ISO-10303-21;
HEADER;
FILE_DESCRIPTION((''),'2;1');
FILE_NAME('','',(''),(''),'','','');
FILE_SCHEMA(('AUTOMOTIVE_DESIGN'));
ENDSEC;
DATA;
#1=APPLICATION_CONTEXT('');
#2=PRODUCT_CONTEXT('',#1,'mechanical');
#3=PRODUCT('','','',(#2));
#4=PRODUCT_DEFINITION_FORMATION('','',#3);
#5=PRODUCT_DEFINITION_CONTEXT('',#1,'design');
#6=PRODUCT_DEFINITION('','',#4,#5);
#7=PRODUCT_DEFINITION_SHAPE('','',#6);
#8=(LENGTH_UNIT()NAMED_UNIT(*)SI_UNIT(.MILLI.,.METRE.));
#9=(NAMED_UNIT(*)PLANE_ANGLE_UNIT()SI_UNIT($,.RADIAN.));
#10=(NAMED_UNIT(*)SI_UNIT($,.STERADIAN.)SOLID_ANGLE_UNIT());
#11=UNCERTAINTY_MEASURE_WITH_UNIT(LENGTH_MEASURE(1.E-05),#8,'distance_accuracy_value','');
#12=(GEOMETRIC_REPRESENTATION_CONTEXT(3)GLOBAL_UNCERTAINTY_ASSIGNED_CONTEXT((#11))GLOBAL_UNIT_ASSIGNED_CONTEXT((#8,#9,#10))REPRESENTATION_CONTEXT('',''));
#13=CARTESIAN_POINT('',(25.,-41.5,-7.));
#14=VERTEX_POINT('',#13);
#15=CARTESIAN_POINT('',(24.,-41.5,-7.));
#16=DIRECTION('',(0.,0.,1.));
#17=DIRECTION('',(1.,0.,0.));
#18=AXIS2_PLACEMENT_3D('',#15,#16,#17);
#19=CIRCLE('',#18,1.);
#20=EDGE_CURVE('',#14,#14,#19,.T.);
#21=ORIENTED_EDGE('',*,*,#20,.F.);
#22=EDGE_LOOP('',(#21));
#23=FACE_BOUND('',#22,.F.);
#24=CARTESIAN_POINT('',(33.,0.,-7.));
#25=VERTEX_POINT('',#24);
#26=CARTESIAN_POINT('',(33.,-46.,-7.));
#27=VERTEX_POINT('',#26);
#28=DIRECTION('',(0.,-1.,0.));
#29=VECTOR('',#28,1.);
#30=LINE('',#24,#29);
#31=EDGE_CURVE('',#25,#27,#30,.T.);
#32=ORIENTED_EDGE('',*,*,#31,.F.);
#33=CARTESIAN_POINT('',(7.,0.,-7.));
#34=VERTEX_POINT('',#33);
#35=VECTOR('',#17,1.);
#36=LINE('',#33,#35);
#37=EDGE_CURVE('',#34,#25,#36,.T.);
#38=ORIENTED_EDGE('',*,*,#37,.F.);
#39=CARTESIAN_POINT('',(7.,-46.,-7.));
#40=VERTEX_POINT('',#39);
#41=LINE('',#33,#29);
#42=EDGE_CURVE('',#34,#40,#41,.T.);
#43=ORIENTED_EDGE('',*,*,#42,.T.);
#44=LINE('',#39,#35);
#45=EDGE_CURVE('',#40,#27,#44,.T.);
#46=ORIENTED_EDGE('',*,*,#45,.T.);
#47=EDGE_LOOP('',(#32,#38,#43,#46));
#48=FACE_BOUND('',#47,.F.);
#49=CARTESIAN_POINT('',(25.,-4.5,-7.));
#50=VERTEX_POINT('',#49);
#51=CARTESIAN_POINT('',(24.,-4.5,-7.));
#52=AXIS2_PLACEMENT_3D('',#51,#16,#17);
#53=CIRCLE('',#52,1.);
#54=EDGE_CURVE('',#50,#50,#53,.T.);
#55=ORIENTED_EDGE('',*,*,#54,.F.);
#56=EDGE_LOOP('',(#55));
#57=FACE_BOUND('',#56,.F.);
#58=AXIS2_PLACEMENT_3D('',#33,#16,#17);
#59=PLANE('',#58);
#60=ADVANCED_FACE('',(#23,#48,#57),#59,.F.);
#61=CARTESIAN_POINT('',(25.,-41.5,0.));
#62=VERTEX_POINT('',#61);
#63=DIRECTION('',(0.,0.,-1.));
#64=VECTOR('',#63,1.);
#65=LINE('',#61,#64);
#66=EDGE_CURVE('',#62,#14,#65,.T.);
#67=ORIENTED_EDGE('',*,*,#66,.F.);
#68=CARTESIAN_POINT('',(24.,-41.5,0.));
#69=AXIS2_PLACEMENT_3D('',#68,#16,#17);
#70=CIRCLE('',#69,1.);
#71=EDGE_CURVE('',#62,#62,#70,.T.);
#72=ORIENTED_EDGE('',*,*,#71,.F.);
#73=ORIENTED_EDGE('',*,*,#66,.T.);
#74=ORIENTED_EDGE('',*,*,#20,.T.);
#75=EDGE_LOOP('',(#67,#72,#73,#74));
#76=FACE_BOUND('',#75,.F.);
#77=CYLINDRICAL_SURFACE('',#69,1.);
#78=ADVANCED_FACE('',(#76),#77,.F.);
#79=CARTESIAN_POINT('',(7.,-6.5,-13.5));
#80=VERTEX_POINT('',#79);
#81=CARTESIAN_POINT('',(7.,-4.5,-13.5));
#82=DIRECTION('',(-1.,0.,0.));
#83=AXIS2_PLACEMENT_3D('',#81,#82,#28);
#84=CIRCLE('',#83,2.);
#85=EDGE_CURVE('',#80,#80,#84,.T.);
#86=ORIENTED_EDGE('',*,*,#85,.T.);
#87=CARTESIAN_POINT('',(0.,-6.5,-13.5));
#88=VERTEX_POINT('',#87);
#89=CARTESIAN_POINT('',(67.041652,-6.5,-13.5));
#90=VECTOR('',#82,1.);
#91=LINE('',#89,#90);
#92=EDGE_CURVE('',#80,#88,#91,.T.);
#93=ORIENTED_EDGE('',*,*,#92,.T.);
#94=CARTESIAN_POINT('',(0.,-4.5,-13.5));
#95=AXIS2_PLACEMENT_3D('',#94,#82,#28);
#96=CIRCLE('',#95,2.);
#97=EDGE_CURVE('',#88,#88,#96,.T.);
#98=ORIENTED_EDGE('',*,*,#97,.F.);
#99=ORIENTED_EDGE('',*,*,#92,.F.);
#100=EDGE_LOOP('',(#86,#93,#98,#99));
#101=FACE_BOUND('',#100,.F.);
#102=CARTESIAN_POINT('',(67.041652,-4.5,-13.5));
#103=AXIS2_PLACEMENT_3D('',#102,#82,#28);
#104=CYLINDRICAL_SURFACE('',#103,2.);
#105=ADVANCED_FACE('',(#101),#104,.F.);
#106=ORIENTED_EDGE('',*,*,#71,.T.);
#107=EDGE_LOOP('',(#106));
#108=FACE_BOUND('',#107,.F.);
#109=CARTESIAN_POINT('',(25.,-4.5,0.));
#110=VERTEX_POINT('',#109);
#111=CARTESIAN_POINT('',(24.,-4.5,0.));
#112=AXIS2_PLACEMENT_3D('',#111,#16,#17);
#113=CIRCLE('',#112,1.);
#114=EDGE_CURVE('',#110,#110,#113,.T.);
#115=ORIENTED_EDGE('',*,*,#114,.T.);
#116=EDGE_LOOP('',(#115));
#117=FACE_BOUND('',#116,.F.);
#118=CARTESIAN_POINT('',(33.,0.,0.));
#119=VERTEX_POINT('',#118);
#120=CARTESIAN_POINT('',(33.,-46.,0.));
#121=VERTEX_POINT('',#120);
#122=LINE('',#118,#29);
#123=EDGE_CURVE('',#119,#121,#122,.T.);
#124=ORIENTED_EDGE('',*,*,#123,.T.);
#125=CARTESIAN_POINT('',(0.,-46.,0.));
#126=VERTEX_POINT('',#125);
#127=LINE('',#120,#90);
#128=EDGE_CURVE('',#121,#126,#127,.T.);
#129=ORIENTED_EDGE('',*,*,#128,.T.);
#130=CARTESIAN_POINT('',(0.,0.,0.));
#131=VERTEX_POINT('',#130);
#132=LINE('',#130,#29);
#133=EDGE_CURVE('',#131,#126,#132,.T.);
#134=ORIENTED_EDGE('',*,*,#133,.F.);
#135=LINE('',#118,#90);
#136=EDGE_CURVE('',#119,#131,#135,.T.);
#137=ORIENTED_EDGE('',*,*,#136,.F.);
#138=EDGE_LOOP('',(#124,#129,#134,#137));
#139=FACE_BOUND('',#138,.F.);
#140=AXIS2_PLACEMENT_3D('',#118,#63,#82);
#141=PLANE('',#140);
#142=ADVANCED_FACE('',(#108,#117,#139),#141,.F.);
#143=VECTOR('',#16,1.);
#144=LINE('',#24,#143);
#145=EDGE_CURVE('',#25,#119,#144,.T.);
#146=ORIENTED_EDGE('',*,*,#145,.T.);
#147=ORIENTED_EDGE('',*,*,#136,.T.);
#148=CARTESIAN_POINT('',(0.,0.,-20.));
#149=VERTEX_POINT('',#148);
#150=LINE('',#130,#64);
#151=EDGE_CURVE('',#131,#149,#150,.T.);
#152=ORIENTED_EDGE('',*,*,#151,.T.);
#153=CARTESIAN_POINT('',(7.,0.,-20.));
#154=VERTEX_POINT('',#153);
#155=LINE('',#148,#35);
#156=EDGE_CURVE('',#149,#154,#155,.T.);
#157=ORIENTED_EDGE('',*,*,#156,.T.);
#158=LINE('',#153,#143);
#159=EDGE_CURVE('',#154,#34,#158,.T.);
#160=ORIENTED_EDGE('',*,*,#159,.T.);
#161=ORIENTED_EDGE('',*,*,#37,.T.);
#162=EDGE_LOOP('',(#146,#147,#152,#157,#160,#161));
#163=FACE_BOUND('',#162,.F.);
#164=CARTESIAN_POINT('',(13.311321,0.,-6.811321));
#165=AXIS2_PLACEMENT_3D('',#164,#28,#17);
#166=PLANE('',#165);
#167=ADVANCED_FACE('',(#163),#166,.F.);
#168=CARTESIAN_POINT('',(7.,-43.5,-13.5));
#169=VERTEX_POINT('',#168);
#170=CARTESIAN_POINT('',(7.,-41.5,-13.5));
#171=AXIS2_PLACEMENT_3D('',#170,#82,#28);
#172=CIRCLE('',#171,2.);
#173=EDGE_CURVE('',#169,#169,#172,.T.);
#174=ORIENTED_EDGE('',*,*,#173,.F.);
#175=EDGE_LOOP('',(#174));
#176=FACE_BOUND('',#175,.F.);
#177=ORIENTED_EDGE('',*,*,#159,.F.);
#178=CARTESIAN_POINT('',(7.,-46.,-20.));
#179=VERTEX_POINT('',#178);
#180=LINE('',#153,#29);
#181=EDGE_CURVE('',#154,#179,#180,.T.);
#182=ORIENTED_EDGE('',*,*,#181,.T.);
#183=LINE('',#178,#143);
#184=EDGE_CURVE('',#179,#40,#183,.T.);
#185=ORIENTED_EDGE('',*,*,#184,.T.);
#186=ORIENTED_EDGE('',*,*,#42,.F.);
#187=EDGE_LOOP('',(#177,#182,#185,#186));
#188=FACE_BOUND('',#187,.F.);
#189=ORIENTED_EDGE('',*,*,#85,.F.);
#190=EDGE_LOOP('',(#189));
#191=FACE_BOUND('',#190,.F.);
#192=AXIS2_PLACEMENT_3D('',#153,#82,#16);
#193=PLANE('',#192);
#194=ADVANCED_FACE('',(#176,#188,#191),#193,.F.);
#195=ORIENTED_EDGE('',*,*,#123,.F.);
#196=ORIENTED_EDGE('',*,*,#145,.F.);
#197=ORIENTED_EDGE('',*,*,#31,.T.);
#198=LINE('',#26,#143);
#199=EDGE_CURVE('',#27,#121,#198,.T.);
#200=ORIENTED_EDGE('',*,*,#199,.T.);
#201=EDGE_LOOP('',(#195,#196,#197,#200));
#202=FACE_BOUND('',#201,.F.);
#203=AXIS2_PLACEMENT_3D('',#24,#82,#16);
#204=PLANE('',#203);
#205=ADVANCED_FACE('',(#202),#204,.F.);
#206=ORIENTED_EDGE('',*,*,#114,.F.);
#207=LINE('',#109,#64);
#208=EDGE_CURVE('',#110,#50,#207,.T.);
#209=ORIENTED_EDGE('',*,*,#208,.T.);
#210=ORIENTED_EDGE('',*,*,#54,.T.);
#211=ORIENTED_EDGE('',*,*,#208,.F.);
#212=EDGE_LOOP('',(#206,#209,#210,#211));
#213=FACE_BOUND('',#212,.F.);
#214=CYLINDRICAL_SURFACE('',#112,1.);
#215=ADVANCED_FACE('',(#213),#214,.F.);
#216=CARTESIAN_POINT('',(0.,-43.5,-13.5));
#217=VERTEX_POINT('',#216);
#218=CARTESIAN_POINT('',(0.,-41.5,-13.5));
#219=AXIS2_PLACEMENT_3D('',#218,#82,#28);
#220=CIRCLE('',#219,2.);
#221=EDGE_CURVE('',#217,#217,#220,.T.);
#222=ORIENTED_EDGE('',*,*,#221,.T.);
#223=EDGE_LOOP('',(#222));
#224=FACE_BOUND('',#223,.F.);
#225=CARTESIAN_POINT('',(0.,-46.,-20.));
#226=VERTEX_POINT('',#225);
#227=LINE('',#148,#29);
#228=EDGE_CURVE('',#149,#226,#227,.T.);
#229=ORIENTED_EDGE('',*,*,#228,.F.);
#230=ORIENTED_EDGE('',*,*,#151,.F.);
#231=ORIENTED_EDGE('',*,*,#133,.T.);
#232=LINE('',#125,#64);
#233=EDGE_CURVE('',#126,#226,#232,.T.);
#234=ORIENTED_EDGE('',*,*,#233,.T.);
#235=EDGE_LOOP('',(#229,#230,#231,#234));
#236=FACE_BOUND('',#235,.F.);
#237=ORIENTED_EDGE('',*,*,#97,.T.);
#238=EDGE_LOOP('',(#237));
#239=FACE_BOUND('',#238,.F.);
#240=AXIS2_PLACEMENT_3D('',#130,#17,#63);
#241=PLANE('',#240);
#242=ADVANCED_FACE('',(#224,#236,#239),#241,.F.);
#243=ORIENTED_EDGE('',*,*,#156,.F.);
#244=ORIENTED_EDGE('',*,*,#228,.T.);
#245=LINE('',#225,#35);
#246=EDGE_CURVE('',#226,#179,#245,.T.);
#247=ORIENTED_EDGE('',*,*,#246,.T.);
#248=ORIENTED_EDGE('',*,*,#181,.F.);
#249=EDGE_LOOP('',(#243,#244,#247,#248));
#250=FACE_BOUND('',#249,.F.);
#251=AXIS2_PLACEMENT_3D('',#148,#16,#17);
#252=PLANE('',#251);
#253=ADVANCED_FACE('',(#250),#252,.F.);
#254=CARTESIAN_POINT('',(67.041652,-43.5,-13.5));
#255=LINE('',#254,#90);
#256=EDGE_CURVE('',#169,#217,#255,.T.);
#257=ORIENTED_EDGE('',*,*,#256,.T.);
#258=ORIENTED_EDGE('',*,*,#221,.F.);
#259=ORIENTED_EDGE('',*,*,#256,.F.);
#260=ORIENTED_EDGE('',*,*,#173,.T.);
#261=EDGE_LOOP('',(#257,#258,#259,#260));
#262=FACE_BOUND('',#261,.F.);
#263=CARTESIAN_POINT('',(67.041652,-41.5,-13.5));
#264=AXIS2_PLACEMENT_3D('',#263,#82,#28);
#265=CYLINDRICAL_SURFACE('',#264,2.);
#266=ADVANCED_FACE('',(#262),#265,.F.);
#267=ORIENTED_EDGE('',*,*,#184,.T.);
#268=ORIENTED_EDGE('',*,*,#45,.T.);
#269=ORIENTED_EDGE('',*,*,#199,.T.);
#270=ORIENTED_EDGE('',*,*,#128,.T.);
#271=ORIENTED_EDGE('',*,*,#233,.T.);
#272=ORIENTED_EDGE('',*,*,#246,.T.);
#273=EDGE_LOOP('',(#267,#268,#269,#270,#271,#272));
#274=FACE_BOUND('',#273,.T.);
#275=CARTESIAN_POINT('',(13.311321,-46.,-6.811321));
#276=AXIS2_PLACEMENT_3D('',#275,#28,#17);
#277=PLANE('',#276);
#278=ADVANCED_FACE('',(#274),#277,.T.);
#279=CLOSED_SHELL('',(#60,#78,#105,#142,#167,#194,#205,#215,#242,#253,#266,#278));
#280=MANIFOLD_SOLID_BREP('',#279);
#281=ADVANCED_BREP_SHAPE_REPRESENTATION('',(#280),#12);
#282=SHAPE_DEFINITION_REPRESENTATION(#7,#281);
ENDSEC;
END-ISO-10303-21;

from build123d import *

# Parameters (mm, degrees)
F1_DEPTH = 46
F2_R     = 1
F3_DEPTH = 20.001
F5_D     = 4


with BuildPart() as f1:
    # F0 (on Front) → F1 (new body)
    with BuildSketch(Plane.XZ):
        Polygon((33, 0), (0, 0), (0, -20), (7, -20), (7, -7), (33, -7), align=None)
    extrude(amount=F1_DEPTH)

    # F2 (on face) → F3 (cut, through all)
    with BuildSketch(Plane.XY):
        with Locations((24, -4.5)):
            Circle(F2_R)
        with Locations((24, -41.5)):
            Circle(F2_R)
    extrude(amount=-F3_DEPTH, mode=Mode.SUBTRACT)

    # F5 (through all)
    with Locations(Plane.YZ.offset(7)):
        with Locations((-41.5, -13.5), (-4.5, -13.5)):
            Hole(F5_D / 2)


solid = f1.part
